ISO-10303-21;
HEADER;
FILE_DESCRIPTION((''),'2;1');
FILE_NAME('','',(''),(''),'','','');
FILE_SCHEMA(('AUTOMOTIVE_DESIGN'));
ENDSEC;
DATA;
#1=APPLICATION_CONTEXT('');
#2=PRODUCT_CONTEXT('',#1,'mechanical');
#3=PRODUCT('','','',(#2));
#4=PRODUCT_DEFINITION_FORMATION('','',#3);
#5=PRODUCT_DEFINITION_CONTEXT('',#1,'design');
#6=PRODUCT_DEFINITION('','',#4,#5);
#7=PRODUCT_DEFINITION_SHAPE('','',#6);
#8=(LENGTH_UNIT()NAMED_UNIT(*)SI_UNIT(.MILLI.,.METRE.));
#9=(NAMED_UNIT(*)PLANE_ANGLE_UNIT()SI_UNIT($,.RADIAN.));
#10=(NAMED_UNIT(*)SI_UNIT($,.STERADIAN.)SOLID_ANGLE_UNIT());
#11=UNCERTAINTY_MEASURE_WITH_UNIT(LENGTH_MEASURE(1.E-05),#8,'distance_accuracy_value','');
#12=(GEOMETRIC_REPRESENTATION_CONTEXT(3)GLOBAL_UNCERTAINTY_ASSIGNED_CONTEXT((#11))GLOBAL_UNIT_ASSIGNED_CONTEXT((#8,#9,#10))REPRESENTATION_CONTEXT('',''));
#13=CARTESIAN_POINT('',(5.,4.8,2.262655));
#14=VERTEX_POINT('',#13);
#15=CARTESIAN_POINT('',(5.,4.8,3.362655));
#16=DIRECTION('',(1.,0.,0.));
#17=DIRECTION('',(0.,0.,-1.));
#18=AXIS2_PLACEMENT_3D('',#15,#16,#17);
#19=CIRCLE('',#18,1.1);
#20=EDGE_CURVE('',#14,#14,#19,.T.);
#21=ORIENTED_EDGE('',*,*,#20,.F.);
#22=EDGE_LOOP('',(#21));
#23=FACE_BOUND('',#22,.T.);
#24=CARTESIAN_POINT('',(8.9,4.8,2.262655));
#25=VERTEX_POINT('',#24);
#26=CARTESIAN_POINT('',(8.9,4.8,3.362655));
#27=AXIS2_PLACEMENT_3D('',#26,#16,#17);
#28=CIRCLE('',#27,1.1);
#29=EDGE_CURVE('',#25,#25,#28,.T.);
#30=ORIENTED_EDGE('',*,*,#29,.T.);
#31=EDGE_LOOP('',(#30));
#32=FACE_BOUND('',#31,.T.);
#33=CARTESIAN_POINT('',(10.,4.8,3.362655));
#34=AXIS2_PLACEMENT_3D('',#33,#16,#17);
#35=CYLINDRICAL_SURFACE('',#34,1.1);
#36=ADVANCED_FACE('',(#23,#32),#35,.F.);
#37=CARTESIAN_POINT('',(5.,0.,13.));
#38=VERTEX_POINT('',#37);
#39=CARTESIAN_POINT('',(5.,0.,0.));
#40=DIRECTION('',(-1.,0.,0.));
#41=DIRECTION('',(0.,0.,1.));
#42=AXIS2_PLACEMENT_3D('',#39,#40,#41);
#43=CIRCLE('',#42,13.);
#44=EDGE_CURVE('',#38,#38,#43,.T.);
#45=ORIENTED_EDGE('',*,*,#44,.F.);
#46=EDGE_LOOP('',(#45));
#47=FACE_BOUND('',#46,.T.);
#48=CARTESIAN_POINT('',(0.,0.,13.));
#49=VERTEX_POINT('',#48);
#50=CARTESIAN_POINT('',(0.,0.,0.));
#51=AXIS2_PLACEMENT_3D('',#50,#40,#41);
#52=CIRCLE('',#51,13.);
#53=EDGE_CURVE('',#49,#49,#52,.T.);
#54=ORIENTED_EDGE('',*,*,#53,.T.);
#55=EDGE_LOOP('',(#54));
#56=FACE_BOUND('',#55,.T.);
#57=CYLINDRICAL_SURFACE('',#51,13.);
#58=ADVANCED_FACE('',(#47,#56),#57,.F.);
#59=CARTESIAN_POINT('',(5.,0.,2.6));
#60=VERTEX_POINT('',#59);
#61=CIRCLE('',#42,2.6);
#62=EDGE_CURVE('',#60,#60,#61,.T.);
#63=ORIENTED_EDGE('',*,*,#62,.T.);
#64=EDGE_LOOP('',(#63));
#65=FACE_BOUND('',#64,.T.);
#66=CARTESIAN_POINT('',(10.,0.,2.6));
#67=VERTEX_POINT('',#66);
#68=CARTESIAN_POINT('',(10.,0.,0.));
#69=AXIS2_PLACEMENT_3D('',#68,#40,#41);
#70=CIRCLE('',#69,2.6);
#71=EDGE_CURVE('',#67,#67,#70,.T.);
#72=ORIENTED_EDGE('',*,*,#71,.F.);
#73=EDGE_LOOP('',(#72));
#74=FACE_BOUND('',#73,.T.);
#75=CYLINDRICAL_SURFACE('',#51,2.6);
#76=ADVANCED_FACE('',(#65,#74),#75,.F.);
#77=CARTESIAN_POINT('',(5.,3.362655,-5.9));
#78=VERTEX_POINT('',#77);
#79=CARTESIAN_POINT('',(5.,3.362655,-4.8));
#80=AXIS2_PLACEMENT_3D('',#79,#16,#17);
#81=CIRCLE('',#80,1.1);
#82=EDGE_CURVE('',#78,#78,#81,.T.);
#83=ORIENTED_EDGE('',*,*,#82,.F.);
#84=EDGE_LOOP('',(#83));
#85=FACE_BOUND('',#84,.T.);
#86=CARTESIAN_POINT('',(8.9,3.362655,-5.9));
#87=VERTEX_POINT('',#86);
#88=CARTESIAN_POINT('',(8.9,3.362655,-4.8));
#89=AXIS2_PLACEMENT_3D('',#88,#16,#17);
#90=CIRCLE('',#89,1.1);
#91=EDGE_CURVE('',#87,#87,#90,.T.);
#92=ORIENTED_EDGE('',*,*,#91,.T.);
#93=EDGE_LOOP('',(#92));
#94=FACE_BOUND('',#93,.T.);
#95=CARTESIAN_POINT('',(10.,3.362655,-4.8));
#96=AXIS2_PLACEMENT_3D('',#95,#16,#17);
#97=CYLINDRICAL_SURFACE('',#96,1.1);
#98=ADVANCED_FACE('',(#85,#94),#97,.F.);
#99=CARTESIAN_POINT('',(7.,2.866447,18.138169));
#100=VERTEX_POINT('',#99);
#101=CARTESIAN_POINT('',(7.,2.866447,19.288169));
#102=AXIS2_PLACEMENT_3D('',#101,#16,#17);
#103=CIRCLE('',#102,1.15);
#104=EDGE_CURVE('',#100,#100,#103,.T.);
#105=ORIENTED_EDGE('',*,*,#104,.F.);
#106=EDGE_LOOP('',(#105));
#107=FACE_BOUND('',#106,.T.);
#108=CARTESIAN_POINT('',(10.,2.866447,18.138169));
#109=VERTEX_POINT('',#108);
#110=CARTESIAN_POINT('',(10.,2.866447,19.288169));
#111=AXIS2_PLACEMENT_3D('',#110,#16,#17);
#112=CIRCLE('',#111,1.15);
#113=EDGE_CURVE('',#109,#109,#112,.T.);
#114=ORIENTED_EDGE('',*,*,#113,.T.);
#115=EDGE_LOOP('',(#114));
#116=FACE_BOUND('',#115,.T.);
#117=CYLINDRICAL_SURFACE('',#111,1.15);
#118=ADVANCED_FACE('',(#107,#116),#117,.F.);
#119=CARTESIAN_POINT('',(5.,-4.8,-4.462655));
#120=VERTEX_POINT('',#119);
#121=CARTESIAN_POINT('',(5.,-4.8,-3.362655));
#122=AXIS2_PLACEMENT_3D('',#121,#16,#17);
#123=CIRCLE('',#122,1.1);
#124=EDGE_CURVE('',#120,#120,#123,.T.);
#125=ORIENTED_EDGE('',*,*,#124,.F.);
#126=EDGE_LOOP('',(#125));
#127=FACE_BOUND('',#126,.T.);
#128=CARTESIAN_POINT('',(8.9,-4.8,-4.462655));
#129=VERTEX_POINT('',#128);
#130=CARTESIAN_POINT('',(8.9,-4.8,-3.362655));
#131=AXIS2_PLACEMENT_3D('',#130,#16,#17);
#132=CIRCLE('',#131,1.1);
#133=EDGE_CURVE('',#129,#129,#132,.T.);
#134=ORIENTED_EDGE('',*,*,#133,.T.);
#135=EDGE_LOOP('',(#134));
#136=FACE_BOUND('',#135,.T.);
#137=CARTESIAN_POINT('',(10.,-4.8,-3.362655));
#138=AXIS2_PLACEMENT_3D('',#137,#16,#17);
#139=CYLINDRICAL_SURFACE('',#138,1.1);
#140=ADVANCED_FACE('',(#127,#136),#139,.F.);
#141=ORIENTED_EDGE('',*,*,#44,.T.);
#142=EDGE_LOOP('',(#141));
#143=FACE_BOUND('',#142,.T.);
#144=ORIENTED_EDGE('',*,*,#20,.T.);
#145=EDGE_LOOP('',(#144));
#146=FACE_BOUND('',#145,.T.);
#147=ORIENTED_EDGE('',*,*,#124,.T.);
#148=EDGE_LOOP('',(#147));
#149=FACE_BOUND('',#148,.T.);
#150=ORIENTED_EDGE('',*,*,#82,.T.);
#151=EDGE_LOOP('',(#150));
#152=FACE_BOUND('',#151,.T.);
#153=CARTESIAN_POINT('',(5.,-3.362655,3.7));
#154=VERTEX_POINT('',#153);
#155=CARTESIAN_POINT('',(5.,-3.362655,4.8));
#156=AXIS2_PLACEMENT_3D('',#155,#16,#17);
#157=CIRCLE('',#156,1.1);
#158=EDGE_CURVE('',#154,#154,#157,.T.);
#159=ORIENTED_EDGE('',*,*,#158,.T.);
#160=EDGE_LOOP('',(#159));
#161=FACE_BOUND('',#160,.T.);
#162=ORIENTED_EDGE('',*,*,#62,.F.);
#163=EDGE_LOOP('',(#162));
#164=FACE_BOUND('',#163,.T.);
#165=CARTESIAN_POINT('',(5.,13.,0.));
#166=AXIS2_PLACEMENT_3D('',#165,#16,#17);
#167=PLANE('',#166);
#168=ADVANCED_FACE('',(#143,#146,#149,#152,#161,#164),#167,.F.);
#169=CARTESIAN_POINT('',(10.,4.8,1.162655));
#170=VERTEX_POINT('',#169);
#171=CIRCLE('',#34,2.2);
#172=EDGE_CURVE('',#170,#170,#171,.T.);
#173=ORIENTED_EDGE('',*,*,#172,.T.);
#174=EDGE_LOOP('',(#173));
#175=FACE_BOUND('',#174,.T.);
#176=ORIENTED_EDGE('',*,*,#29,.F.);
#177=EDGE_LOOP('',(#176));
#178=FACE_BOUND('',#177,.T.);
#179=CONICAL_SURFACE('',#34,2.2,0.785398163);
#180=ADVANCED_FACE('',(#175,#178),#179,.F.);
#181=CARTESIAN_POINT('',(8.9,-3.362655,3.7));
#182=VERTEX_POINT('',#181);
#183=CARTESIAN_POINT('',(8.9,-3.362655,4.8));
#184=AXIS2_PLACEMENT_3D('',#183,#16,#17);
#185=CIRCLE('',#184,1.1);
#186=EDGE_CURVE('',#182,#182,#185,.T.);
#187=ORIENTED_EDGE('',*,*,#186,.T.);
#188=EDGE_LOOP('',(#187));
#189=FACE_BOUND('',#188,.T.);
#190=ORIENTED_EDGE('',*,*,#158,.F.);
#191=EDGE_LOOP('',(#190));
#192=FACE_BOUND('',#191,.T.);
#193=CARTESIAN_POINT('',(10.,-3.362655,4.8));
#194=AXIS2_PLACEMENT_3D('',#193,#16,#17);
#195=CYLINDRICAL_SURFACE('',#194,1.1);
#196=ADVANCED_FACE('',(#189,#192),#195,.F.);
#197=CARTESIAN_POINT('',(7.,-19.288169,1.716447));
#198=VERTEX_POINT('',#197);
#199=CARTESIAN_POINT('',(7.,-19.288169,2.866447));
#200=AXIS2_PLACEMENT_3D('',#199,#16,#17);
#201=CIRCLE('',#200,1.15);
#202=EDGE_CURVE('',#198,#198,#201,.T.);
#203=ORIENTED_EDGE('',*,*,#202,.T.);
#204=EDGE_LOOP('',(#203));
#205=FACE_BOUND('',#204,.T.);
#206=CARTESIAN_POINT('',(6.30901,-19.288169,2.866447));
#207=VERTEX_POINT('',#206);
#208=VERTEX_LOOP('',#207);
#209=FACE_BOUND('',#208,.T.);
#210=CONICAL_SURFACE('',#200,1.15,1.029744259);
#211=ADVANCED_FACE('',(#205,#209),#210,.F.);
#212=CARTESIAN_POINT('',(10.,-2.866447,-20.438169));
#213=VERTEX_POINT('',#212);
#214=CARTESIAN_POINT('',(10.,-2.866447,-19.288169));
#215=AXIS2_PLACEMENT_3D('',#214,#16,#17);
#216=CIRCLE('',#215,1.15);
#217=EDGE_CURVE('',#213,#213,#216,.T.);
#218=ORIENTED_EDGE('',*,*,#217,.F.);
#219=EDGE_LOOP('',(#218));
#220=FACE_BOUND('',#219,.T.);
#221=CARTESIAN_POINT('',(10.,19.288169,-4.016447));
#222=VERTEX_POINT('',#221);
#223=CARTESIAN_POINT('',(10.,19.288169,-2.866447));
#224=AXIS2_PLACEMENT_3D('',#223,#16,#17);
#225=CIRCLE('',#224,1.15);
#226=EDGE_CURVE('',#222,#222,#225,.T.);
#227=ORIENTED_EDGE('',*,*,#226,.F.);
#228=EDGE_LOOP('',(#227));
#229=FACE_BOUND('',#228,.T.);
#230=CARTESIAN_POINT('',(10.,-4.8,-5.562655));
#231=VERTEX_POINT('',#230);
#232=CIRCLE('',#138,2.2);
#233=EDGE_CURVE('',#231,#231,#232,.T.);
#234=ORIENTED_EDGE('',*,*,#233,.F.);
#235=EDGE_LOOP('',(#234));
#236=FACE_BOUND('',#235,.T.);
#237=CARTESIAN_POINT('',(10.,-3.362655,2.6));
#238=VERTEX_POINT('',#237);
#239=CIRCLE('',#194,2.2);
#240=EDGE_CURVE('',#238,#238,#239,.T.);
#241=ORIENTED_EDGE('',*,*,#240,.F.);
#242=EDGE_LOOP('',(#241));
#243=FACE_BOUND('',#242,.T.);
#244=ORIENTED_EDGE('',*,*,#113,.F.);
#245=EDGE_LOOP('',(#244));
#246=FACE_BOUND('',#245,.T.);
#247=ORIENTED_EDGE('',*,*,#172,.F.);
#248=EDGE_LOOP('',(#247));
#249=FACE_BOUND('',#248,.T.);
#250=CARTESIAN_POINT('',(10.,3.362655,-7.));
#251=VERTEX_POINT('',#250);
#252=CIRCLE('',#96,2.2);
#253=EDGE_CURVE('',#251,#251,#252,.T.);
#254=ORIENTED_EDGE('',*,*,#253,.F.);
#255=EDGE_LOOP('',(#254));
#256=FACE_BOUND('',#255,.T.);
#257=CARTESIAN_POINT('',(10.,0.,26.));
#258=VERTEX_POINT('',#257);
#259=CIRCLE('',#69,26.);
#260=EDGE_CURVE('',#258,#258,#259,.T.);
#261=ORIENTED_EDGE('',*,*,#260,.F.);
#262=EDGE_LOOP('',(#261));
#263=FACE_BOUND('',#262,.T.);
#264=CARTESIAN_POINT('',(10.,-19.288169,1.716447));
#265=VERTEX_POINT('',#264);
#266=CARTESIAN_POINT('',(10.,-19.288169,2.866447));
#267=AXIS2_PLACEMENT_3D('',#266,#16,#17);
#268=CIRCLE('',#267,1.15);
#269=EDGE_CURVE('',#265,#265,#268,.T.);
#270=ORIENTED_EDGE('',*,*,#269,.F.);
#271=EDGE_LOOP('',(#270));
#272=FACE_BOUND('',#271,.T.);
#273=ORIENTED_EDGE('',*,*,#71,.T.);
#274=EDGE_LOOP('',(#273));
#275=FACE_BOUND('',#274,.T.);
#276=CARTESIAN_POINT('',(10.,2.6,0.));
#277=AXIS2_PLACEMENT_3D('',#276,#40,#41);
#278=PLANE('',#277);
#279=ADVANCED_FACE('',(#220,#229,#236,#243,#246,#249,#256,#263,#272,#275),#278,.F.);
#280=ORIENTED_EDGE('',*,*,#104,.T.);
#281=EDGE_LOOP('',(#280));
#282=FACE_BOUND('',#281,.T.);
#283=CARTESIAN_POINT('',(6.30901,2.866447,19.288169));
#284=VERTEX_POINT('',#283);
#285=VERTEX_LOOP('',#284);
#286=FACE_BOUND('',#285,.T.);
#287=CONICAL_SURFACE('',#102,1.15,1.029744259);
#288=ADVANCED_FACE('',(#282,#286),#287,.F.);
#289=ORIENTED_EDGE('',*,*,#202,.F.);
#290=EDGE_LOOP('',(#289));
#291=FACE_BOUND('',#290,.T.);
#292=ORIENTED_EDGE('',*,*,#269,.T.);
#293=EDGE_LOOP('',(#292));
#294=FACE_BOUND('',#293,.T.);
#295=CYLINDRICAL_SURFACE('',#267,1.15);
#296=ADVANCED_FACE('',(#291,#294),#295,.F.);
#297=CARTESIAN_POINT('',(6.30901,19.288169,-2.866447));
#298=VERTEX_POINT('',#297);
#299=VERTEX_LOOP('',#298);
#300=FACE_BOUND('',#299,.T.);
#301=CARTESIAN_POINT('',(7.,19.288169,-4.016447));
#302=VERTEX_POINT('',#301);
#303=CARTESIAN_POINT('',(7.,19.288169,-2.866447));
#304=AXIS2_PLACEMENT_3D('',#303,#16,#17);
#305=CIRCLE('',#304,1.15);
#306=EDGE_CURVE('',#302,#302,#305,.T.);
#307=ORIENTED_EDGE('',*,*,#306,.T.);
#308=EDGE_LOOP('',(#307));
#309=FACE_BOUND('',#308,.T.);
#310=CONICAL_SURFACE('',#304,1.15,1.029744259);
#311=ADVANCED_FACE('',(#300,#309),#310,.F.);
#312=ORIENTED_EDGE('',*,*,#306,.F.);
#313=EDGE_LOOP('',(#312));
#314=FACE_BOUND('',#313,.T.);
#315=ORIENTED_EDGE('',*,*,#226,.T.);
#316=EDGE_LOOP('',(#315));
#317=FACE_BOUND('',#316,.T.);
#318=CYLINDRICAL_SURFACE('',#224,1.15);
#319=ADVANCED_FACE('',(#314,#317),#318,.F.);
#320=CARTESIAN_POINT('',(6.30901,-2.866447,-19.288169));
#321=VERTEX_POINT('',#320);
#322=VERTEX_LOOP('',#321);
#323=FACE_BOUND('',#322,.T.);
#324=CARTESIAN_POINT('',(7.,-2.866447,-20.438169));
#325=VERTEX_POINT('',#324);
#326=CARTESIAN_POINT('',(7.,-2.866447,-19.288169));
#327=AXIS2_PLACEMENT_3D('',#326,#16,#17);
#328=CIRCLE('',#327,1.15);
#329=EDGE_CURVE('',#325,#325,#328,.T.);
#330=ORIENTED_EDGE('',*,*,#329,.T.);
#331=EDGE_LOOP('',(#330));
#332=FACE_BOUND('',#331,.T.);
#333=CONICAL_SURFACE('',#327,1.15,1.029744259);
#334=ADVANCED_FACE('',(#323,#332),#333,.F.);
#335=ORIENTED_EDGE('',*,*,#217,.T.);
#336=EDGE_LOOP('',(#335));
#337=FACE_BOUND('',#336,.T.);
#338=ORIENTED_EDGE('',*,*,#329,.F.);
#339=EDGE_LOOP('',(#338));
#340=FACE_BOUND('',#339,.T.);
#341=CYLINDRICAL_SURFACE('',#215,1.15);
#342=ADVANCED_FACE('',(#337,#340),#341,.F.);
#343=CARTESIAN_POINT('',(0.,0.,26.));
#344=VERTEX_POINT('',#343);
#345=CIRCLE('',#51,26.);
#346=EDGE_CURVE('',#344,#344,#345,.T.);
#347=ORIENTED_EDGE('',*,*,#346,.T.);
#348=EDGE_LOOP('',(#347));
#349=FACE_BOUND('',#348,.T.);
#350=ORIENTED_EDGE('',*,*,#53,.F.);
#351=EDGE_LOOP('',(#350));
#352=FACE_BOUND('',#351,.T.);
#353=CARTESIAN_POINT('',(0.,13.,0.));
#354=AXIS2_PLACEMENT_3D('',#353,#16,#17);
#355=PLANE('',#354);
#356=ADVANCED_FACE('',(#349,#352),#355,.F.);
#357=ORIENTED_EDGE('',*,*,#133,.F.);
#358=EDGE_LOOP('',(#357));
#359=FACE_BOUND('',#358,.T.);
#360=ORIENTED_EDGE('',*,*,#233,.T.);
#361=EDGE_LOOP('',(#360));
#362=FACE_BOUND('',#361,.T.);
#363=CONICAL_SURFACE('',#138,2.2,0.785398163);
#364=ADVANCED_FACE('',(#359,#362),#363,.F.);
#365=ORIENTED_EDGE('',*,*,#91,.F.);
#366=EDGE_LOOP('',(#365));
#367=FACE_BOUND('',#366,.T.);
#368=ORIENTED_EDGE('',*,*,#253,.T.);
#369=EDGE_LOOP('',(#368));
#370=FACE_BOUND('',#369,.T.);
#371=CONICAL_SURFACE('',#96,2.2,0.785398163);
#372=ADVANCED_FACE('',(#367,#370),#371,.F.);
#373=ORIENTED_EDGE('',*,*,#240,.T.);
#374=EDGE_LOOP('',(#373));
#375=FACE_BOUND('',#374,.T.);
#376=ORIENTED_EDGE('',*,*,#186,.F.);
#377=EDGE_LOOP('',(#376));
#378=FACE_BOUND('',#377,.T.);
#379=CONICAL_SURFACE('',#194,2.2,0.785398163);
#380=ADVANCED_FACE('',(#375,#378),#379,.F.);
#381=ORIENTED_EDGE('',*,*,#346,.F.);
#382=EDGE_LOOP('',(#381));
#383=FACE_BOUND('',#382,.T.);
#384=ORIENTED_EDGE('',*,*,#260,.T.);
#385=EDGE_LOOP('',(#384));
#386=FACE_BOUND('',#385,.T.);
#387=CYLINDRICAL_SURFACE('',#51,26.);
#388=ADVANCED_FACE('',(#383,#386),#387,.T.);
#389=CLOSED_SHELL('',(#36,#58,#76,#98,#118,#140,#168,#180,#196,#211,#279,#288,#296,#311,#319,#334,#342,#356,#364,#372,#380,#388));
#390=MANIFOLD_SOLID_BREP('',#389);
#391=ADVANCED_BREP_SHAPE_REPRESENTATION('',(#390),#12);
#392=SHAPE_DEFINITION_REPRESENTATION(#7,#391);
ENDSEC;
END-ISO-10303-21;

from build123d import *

# Parameters (mm, degrees)
HOLE_WIZARD_M22_D           = 2.2
HOLE_WIZARD_M22_CSINK_D     = 4.4
HOLE_WIZARD_M22_CSINK_ANGLE = 90
PATTERN_CIRCULAR_2_COUNT    = 4
PATTERN_CIRCULAR_3_COUNT    = 4


with BuildPart() as part:
    # Эскиз1 → Повернуть1 (revolve)
    with BuildSketch(Plane.XY):
        Polygon((0, 13), (0, 26), (10, 26), (10, 2.6), (5, 2.6), (5, 13), align=None)
    revolve(axis=Axis((0, 0, 0), (1, 0, 0)))

    # Зенковка для  винта с плоской головкой M22 (through all)
    with Locations(Plane(origin=(10, 0, 0), x_dir=(0, 0, -1), z_dir=(1, 0, 0))):
        with Locations((-3.362654925, 4.8)):
            hole_wizard_m22 = CounterSinkHole(HOLE_WIZARD_M22_D / 2, HOLE_WIZARD_M22_CSINK_D / 2, counter_sink_angle=HOLE_WIZARD_M22_CSINK_ANGLE)

    # Круговой массив2: Зенковка для  винта с плоской головкой M22 ×4 about axis
    pattern_circular_2_axis = Axis((10, 0, 0), (-1, 0, 0))
    for i in range(1, PATTERN_CIRCULAR_2_COUNT):
        add(hole_wizard_m22.rotate(pattern_circular_2_axis, i * 360 / PATTERN_CIRCULAR_2_COUNT), mode=Mode.SUBTRACT)

    # Эскиз7 → Сверло под метчик  спиральное M2.21 (revolve, cut)
    with BuildSketch(Plane(origin=(10, -2.866446976, -19.288169476), x_dir=(0, 0, -1), z_dir=(0, 1, 0))):
        Polygon((0, 0), (0, 3.690989712), (1.15, 3), (1.15, 0), align=None)
    hole_wizard_m2_21 = revolve(axis=Axis((16.35, -2.866446976, -19.288169476), (-1, 0, 0)), mode=Mode.SUBTRACT)

    # Круговой массив3: Сверло под метчик  спиральное M2.21 ×4 about axis
    pattern_circular_3_axis = Axis((10, 0, 0), (-1, 0, 0))
    for i in range(1, PATTERN_CIRCULAR_3_COUNT):
        add(hole_wizard_m2_21.rotate(pattern_circular_3_axis, i * 360 / PATTERN_CIRCULAR_3_COUNT), mode=Mode.SUBTRACT)


solid = part.part
